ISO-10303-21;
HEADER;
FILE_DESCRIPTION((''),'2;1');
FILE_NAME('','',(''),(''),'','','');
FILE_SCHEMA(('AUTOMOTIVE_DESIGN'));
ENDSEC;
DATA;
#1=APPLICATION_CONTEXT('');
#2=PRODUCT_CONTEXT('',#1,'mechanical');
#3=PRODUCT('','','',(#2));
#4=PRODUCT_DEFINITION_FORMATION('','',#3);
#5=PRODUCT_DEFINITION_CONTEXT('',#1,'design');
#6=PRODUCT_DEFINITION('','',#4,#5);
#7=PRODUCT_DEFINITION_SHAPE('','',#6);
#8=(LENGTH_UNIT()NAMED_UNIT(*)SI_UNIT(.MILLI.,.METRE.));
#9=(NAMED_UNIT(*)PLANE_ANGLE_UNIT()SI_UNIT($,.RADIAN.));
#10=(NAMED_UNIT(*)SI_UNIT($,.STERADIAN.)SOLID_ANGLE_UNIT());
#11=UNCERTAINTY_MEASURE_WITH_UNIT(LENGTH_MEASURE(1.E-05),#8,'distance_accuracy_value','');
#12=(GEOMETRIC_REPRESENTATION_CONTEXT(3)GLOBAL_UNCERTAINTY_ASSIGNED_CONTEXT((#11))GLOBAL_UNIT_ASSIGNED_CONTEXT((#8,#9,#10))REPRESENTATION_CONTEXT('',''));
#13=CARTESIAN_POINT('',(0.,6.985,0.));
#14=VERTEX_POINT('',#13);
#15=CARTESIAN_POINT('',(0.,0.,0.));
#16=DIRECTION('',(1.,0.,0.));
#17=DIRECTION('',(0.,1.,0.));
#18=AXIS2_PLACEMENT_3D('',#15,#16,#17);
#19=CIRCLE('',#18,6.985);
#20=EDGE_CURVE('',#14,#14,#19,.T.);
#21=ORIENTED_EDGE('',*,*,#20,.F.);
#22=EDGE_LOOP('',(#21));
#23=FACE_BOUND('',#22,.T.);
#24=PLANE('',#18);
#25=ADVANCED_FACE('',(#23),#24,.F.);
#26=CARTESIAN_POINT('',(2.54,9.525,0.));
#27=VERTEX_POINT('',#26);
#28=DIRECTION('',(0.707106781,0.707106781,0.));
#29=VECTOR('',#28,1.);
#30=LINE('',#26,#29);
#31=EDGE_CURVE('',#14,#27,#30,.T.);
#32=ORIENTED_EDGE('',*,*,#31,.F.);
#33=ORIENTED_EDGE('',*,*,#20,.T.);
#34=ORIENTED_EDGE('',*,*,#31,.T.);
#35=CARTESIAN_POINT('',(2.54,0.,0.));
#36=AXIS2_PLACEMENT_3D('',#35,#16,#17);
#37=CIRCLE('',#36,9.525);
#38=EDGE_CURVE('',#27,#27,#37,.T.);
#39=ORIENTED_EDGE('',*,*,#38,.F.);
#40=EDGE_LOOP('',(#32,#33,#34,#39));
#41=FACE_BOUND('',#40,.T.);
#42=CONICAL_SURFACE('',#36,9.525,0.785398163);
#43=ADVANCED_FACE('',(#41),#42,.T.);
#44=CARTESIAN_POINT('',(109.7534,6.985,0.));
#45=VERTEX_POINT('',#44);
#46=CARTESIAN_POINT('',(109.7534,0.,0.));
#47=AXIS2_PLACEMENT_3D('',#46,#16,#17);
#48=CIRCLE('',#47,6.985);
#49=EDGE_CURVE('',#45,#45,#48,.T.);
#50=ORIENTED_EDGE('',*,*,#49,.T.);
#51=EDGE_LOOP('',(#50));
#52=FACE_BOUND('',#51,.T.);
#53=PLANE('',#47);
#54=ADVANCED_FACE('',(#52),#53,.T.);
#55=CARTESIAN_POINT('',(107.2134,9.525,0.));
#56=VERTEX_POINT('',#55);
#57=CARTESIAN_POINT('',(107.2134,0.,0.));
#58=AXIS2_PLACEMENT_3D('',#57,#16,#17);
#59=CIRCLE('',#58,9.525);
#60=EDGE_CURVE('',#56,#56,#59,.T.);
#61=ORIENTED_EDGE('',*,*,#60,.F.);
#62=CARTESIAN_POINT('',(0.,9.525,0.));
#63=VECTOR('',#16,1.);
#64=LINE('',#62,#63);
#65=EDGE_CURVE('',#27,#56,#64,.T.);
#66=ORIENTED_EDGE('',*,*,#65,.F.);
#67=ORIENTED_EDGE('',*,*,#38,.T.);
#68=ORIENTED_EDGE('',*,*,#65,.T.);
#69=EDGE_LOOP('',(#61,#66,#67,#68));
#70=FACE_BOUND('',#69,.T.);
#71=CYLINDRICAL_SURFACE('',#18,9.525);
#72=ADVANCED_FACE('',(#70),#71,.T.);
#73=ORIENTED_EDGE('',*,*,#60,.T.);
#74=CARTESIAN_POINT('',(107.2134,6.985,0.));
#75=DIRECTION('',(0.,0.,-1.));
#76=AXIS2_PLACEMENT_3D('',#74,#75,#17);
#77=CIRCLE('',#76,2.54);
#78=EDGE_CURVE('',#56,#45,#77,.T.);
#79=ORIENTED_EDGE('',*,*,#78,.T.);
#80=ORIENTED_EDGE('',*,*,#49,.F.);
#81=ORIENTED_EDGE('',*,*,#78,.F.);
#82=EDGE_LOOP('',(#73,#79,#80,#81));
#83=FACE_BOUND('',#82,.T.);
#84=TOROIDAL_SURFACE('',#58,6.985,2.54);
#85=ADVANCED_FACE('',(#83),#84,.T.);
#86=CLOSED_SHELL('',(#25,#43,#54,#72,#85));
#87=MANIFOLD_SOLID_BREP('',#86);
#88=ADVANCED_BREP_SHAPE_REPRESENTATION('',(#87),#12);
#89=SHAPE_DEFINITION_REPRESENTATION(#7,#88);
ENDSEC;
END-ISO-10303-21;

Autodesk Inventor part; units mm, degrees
ref_plane "Start Plane" through (0, 0, 0) normal (1, 0, 0) x (0, 1, 0)
ref_plane "XZ Plane" through (0, 0, 0) normal (0, 1, 0) x (-1, 0, 0)
ref_plane "XY Plane" through (0, 0, 0) normal (0, 0, 1) x (1, 0, 0)
sketch "Main Sketch" plane through (0, 0, 0) normal (0, 0, 1) x (1, 0, 0)
  line L0 (0, 0) -> (109.7534, 0)
  line L1 (0, 0) -> (0, 9.525)
  line L2 (109.7534, 9.525) -> (109.7534, 0)
  line L3 (0, 9.525) -> (109.7534, 9.525)
  dimension "d3" = 19.05
revolve "Revolution1" add sketch "Main Sketch" angle 360 about axis through (0, 0, 0) along (1, 0, 0)
chamfer "Chamfer1" distance 2.54 angle 45 1 edges at (0, -9.525, 0) measured on face at (73.1689, 9.4941, -0.7664)
fillet "Fillet1" radius 2.54 1 edges at (109.7534, -9.525, 0)
properties part number "Shaft" material "Steel"
